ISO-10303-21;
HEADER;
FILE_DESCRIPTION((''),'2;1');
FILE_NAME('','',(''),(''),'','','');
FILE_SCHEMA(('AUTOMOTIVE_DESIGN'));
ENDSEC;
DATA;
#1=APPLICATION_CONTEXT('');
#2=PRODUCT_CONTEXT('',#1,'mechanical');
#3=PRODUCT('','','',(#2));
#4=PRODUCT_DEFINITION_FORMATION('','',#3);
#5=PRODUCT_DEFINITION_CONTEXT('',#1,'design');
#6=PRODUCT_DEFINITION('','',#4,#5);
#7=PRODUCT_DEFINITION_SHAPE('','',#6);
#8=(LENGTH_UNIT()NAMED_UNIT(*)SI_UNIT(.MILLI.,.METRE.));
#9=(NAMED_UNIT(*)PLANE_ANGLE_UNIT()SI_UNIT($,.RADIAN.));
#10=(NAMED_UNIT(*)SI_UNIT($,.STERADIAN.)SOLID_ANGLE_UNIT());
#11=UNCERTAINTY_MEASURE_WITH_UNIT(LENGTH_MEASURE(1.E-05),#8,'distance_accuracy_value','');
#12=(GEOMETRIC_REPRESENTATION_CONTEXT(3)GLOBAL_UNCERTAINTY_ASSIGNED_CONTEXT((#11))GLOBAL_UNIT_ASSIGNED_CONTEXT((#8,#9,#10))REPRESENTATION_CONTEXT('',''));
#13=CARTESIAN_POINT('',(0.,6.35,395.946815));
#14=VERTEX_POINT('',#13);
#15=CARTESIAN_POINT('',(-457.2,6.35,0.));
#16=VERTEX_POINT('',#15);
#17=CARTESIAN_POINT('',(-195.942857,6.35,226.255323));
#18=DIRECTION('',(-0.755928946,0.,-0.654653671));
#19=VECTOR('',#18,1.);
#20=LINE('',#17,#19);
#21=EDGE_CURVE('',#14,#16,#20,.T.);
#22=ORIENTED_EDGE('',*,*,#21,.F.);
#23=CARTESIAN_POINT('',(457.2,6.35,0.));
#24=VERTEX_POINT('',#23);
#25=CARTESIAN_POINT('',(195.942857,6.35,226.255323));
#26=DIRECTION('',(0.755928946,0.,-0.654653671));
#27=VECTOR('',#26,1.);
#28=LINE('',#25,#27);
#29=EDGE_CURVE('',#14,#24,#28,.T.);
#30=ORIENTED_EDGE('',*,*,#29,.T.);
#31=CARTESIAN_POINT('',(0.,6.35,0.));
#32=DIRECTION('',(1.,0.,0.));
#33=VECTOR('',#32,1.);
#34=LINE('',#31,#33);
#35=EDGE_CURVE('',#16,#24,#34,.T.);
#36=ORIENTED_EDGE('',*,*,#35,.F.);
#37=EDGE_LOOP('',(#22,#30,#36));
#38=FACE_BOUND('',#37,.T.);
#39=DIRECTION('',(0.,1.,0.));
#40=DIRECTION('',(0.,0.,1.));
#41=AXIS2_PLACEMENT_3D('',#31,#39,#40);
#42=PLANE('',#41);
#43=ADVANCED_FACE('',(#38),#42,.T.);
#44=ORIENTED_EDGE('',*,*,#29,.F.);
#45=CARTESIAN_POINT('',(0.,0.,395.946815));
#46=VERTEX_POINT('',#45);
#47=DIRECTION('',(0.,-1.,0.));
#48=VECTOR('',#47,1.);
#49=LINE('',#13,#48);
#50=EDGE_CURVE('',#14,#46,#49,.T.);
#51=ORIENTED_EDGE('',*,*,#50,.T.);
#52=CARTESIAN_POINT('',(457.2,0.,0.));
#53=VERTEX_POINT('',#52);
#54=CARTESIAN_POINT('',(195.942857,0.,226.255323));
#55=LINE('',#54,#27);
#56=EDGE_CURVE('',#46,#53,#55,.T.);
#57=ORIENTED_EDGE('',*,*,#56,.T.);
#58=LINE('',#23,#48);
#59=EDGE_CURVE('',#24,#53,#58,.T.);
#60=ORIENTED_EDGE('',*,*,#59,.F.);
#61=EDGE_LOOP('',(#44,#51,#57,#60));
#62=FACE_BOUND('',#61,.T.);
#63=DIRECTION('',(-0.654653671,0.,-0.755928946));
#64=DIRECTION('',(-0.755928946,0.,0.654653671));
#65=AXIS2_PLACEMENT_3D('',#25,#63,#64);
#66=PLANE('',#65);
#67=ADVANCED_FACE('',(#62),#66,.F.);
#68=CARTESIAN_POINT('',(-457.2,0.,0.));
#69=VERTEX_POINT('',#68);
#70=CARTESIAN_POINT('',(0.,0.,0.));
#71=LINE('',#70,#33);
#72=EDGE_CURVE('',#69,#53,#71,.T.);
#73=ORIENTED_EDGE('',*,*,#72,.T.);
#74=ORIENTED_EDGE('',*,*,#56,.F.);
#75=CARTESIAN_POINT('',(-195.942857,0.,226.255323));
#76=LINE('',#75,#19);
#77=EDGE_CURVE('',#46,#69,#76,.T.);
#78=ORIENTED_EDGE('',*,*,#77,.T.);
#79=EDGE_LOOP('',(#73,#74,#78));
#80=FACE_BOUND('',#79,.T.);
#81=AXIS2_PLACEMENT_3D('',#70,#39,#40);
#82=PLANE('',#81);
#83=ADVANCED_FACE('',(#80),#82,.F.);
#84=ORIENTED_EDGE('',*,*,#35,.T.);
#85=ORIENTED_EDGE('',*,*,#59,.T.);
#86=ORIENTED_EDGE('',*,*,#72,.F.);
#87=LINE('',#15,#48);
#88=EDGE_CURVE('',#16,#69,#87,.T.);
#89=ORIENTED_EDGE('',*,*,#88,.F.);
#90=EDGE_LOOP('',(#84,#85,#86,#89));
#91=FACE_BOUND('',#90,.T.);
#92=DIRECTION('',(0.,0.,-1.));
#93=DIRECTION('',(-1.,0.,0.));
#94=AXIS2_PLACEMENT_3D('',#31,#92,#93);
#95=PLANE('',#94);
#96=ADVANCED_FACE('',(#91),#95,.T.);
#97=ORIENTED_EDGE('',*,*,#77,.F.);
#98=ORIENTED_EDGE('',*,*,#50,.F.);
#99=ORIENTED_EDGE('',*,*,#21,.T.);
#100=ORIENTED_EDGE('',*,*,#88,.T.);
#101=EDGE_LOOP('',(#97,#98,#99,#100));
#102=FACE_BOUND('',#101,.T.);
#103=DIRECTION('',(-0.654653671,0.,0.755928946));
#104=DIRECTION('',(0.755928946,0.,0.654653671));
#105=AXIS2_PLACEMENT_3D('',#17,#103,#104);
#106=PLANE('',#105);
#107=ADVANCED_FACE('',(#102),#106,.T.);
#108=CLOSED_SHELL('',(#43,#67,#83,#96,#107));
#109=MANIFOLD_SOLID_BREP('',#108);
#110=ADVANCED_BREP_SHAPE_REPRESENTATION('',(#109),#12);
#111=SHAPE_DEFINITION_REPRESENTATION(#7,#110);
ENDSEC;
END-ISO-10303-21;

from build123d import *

# Parameters (mm, degrees)
BOSS_EXTRUDE2_DEPTH = 6.35


with BuildPart() as part:
    # Sketch1 → Boss-Extrude2 (new body)
    with BuildSketch(Plane(origin=(0, 0, 0), x_dir=(1, 0, 0), z_dir=(0, 1, 0))):
        Polygon((0, 0), (-457.2, 0), (0, -395.94681461), align=None)
        Polygon((457.2, 0), (0, 0), (0, -395.94681461), align=None)
    extrude(amount=BOSS_EXTRUDE2_DEPTH)


solid = part.part
